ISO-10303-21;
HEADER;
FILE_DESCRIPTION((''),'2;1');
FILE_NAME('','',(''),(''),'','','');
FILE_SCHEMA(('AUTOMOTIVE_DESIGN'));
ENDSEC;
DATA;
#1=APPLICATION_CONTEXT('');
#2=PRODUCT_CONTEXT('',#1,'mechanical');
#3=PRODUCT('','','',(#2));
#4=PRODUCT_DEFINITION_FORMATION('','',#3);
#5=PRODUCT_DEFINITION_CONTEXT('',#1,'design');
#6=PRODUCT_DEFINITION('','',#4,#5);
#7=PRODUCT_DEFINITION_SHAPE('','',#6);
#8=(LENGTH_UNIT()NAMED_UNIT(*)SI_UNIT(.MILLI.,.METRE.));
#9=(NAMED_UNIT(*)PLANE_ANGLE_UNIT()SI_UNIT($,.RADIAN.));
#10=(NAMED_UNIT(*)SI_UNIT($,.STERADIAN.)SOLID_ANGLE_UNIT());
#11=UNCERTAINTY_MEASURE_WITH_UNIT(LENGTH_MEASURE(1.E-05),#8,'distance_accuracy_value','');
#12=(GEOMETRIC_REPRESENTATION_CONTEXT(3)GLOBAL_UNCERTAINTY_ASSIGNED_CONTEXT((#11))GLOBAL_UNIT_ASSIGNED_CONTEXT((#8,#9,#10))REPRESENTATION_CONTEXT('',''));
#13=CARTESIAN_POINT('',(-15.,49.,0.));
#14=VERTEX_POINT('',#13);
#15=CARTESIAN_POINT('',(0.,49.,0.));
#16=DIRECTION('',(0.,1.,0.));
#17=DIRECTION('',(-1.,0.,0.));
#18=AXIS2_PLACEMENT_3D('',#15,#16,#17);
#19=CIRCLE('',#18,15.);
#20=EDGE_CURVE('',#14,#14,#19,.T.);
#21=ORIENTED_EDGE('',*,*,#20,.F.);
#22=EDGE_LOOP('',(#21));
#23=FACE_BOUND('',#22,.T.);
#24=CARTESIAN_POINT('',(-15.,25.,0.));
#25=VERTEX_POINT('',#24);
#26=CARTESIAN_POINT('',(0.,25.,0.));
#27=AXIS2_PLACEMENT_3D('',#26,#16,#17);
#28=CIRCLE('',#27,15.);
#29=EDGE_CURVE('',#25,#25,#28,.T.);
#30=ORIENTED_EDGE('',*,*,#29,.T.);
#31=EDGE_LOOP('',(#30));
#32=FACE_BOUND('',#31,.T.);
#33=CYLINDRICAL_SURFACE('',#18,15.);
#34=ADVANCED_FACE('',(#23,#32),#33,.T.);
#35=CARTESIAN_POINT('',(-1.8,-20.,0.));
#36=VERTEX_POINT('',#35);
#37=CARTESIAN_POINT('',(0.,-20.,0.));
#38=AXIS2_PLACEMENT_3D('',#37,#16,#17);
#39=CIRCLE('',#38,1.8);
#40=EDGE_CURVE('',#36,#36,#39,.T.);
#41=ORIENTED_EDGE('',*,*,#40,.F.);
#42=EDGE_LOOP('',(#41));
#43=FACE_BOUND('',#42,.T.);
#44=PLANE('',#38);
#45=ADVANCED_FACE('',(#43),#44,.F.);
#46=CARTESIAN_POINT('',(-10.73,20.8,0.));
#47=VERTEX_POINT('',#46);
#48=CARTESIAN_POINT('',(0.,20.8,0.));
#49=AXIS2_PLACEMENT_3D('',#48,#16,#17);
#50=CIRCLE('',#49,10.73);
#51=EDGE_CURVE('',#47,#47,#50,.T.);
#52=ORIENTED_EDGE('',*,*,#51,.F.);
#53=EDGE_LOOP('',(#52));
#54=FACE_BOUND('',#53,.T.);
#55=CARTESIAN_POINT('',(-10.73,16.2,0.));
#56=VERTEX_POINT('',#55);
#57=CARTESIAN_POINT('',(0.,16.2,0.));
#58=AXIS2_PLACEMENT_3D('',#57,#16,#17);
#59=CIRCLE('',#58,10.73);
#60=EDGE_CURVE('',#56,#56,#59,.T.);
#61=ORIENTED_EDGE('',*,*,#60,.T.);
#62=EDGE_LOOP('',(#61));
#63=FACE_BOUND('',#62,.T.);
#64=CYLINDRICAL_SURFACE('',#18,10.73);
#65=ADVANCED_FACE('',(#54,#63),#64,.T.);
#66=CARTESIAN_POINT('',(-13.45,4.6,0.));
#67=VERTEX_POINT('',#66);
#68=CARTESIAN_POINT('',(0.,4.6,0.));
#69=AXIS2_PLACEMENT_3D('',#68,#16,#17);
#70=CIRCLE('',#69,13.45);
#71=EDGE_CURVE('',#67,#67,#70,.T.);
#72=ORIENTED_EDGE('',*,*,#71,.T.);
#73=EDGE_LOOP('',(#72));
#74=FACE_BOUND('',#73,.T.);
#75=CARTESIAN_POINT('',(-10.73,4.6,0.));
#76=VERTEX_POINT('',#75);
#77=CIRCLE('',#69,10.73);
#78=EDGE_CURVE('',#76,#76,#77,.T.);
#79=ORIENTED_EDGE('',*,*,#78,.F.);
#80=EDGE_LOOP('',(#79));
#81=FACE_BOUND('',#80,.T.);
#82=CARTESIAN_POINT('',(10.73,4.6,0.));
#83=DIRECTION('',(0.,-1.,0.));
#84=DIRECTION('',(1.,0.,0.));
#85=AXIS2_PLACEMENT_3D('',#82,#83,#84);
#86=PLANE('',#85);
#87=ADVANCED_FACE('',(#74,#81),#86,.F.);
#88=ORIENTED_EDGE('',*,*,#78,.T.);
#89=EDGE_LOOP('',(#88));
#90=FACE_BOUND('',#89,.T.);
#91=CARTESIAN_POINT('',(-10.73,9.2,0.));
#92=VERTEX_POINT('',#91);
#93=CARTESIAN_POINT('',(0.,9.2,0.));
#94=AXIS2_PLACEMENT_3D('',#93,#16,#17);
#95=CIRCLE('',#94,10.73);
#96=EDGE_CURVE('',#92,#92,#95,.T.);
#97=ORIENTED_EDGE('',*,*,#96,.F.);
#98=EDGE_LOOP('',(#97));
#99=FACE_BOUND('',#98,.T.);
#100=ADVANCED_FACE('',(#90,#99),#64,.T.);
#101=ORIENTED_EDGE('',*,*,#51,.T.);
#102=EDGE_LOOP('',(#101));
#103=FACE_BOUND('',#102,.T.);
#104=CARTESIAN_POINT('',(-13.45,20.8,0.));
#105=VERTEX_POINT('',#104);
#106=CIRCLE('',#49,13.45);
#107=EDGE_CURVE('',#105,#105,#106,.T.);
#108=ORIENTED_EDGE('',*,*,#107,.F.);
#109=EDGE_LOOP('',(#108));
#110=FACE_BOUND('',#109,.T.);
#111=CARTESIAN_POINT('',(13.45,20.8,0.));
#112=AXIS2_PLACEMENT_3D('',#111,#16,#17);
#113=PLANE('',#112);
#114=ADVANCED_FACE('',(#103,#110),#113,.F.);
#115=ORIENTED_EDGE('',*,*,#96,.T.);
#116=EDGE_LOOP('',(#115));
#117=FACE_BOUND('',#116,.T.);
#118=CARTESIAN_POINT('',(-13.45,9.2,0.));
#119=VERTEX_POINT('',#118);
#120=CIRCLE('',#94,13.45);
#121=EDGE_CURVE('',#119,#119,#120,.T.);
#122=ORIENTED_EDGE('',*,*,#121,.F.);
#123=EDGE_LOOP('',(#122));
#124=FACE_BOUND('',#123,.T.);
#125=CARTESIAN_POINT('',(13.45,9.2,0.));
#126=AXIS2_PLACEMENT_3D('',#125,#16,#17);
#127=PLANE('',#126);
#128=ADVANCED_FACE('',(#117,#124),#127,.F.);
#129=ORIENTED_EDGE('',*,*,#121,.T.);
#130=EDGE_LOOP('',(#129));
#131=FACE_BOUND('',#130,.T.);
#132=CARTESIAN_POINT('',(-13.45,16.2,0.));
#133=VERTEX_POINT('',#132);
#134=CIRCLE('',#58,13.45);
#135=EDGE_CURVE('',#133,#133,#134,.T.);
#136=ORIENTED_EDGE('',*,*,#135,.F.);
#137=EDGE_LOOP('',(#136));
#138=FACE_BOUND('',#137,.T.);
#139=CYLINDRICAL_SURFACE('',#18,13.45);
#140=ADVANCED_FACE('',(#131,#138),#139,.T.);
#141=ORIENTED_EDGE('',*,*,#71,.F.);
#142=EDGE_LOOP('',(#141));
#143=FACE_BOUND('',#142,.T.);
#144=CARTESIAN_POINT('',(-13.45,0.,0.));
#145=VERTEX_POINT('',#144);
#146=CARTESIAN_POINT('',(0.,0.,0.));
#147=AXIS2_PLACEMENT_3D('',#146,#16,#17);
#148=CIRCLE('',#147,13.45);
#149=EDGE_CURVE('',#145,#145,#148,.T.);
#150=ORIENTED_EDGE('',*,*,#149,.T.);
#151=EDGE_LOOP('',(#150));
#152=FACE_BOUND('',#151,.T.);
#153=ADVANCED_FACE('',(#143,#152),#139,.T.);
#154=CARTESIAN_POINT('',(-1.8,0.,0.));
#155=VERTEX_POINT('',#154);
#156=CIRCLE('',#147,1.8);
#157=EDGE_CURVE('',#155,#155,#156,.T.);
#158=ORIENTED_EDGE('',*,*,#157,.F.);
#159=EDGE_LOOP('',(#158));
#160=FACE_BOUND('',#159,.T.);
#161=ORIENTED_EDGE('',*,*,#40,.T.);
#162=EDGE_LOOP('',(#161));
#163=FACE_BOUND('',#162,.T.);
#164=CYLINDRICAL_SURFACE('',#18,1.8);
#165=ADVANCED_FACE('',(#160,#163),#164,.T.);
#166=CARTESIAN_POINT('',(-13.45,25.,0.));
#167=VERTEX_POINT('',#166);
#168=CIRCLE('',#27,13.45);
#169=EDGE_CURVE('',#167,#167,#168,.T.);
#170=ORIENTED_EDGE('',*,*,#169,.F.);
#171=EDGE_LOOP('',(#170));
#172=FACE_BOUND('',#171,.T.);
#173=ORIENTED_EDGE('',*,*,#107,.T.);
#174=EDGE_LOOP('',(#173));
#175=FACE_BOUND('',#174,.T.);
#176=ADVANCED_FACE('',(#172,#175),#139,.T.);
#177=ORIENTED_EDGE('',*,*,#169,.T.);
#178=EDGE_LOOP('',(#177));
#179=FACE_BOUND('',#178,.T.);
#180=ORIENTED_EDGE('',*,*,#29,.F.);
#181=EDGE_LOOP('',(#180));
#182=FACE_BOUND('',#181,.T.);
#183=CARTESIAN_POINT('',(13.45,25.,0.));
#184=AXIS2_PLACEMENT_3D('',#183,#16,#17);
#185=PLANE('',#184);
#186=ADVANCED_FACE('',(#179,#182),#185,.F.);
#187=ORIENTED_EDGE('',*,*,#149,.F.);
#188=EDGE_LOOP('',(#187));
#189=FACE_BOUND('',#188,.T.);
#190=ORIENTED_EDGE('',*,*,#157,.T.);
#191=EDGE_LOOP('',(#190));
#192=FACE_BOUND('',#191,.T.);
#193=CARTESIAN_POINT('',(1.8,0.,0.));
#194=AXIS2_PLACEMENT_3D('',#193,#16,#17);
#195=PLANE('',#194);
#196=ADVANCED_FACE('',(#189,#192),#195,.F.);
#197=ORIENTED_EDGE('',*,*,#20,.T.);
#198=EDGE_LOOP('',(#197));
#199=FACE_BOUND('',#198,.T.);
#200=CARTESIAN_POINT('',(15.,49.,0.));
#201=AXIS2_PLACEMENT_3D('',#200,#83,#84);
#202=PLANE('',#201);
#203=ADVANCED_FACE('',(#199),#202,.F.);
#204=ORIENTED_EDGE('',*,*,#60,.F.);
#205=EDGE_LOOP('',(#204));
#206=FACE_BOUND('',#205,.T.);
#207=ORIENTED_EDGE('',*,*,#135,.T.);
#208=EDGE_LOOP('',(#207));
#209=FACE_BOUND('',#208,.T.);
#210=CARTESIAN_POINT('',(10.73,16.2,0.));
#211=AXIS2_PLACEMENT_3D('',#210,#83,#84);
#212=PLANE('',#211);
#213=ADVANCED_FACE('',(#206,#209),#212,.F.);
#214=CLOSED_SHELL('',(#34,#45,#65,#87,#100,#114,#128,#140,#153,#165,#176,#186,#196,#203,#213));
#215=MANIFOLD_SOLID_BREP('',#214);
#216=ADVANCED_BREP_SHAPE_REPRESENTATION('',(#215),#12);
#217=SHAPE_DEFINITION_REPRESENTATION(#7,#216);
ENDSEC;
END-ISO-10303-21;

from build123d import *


with BuildPart() as part:
    # Esquisse3 → Révolution1 (revolve)
    with BuildSketch(Plane.XY, mode=Mode.PRIVATE) as r_volution1_sk:
        Polygon((0, -20), (1.8, -20), (1.8, 0), (13.45, 0), (13.45, 4.6), (10.73, 4.6), (10.73, 9.2), (13.45, 9.2), (13.45, 16.2), (10.73, 16.2), (10.73, 20.8), (13.45, 20.8), (13.45, 25), (15, 25), (15, 49), (0, 49), (0, 0), align=None)
    revolve(r_volution1_sk.sketch.rotate(Axis((0, 49, 0), (0, -1, 0)), 180), axis=Axis((0, 49, 0), (0, -1, 0)))


solid = part.part
